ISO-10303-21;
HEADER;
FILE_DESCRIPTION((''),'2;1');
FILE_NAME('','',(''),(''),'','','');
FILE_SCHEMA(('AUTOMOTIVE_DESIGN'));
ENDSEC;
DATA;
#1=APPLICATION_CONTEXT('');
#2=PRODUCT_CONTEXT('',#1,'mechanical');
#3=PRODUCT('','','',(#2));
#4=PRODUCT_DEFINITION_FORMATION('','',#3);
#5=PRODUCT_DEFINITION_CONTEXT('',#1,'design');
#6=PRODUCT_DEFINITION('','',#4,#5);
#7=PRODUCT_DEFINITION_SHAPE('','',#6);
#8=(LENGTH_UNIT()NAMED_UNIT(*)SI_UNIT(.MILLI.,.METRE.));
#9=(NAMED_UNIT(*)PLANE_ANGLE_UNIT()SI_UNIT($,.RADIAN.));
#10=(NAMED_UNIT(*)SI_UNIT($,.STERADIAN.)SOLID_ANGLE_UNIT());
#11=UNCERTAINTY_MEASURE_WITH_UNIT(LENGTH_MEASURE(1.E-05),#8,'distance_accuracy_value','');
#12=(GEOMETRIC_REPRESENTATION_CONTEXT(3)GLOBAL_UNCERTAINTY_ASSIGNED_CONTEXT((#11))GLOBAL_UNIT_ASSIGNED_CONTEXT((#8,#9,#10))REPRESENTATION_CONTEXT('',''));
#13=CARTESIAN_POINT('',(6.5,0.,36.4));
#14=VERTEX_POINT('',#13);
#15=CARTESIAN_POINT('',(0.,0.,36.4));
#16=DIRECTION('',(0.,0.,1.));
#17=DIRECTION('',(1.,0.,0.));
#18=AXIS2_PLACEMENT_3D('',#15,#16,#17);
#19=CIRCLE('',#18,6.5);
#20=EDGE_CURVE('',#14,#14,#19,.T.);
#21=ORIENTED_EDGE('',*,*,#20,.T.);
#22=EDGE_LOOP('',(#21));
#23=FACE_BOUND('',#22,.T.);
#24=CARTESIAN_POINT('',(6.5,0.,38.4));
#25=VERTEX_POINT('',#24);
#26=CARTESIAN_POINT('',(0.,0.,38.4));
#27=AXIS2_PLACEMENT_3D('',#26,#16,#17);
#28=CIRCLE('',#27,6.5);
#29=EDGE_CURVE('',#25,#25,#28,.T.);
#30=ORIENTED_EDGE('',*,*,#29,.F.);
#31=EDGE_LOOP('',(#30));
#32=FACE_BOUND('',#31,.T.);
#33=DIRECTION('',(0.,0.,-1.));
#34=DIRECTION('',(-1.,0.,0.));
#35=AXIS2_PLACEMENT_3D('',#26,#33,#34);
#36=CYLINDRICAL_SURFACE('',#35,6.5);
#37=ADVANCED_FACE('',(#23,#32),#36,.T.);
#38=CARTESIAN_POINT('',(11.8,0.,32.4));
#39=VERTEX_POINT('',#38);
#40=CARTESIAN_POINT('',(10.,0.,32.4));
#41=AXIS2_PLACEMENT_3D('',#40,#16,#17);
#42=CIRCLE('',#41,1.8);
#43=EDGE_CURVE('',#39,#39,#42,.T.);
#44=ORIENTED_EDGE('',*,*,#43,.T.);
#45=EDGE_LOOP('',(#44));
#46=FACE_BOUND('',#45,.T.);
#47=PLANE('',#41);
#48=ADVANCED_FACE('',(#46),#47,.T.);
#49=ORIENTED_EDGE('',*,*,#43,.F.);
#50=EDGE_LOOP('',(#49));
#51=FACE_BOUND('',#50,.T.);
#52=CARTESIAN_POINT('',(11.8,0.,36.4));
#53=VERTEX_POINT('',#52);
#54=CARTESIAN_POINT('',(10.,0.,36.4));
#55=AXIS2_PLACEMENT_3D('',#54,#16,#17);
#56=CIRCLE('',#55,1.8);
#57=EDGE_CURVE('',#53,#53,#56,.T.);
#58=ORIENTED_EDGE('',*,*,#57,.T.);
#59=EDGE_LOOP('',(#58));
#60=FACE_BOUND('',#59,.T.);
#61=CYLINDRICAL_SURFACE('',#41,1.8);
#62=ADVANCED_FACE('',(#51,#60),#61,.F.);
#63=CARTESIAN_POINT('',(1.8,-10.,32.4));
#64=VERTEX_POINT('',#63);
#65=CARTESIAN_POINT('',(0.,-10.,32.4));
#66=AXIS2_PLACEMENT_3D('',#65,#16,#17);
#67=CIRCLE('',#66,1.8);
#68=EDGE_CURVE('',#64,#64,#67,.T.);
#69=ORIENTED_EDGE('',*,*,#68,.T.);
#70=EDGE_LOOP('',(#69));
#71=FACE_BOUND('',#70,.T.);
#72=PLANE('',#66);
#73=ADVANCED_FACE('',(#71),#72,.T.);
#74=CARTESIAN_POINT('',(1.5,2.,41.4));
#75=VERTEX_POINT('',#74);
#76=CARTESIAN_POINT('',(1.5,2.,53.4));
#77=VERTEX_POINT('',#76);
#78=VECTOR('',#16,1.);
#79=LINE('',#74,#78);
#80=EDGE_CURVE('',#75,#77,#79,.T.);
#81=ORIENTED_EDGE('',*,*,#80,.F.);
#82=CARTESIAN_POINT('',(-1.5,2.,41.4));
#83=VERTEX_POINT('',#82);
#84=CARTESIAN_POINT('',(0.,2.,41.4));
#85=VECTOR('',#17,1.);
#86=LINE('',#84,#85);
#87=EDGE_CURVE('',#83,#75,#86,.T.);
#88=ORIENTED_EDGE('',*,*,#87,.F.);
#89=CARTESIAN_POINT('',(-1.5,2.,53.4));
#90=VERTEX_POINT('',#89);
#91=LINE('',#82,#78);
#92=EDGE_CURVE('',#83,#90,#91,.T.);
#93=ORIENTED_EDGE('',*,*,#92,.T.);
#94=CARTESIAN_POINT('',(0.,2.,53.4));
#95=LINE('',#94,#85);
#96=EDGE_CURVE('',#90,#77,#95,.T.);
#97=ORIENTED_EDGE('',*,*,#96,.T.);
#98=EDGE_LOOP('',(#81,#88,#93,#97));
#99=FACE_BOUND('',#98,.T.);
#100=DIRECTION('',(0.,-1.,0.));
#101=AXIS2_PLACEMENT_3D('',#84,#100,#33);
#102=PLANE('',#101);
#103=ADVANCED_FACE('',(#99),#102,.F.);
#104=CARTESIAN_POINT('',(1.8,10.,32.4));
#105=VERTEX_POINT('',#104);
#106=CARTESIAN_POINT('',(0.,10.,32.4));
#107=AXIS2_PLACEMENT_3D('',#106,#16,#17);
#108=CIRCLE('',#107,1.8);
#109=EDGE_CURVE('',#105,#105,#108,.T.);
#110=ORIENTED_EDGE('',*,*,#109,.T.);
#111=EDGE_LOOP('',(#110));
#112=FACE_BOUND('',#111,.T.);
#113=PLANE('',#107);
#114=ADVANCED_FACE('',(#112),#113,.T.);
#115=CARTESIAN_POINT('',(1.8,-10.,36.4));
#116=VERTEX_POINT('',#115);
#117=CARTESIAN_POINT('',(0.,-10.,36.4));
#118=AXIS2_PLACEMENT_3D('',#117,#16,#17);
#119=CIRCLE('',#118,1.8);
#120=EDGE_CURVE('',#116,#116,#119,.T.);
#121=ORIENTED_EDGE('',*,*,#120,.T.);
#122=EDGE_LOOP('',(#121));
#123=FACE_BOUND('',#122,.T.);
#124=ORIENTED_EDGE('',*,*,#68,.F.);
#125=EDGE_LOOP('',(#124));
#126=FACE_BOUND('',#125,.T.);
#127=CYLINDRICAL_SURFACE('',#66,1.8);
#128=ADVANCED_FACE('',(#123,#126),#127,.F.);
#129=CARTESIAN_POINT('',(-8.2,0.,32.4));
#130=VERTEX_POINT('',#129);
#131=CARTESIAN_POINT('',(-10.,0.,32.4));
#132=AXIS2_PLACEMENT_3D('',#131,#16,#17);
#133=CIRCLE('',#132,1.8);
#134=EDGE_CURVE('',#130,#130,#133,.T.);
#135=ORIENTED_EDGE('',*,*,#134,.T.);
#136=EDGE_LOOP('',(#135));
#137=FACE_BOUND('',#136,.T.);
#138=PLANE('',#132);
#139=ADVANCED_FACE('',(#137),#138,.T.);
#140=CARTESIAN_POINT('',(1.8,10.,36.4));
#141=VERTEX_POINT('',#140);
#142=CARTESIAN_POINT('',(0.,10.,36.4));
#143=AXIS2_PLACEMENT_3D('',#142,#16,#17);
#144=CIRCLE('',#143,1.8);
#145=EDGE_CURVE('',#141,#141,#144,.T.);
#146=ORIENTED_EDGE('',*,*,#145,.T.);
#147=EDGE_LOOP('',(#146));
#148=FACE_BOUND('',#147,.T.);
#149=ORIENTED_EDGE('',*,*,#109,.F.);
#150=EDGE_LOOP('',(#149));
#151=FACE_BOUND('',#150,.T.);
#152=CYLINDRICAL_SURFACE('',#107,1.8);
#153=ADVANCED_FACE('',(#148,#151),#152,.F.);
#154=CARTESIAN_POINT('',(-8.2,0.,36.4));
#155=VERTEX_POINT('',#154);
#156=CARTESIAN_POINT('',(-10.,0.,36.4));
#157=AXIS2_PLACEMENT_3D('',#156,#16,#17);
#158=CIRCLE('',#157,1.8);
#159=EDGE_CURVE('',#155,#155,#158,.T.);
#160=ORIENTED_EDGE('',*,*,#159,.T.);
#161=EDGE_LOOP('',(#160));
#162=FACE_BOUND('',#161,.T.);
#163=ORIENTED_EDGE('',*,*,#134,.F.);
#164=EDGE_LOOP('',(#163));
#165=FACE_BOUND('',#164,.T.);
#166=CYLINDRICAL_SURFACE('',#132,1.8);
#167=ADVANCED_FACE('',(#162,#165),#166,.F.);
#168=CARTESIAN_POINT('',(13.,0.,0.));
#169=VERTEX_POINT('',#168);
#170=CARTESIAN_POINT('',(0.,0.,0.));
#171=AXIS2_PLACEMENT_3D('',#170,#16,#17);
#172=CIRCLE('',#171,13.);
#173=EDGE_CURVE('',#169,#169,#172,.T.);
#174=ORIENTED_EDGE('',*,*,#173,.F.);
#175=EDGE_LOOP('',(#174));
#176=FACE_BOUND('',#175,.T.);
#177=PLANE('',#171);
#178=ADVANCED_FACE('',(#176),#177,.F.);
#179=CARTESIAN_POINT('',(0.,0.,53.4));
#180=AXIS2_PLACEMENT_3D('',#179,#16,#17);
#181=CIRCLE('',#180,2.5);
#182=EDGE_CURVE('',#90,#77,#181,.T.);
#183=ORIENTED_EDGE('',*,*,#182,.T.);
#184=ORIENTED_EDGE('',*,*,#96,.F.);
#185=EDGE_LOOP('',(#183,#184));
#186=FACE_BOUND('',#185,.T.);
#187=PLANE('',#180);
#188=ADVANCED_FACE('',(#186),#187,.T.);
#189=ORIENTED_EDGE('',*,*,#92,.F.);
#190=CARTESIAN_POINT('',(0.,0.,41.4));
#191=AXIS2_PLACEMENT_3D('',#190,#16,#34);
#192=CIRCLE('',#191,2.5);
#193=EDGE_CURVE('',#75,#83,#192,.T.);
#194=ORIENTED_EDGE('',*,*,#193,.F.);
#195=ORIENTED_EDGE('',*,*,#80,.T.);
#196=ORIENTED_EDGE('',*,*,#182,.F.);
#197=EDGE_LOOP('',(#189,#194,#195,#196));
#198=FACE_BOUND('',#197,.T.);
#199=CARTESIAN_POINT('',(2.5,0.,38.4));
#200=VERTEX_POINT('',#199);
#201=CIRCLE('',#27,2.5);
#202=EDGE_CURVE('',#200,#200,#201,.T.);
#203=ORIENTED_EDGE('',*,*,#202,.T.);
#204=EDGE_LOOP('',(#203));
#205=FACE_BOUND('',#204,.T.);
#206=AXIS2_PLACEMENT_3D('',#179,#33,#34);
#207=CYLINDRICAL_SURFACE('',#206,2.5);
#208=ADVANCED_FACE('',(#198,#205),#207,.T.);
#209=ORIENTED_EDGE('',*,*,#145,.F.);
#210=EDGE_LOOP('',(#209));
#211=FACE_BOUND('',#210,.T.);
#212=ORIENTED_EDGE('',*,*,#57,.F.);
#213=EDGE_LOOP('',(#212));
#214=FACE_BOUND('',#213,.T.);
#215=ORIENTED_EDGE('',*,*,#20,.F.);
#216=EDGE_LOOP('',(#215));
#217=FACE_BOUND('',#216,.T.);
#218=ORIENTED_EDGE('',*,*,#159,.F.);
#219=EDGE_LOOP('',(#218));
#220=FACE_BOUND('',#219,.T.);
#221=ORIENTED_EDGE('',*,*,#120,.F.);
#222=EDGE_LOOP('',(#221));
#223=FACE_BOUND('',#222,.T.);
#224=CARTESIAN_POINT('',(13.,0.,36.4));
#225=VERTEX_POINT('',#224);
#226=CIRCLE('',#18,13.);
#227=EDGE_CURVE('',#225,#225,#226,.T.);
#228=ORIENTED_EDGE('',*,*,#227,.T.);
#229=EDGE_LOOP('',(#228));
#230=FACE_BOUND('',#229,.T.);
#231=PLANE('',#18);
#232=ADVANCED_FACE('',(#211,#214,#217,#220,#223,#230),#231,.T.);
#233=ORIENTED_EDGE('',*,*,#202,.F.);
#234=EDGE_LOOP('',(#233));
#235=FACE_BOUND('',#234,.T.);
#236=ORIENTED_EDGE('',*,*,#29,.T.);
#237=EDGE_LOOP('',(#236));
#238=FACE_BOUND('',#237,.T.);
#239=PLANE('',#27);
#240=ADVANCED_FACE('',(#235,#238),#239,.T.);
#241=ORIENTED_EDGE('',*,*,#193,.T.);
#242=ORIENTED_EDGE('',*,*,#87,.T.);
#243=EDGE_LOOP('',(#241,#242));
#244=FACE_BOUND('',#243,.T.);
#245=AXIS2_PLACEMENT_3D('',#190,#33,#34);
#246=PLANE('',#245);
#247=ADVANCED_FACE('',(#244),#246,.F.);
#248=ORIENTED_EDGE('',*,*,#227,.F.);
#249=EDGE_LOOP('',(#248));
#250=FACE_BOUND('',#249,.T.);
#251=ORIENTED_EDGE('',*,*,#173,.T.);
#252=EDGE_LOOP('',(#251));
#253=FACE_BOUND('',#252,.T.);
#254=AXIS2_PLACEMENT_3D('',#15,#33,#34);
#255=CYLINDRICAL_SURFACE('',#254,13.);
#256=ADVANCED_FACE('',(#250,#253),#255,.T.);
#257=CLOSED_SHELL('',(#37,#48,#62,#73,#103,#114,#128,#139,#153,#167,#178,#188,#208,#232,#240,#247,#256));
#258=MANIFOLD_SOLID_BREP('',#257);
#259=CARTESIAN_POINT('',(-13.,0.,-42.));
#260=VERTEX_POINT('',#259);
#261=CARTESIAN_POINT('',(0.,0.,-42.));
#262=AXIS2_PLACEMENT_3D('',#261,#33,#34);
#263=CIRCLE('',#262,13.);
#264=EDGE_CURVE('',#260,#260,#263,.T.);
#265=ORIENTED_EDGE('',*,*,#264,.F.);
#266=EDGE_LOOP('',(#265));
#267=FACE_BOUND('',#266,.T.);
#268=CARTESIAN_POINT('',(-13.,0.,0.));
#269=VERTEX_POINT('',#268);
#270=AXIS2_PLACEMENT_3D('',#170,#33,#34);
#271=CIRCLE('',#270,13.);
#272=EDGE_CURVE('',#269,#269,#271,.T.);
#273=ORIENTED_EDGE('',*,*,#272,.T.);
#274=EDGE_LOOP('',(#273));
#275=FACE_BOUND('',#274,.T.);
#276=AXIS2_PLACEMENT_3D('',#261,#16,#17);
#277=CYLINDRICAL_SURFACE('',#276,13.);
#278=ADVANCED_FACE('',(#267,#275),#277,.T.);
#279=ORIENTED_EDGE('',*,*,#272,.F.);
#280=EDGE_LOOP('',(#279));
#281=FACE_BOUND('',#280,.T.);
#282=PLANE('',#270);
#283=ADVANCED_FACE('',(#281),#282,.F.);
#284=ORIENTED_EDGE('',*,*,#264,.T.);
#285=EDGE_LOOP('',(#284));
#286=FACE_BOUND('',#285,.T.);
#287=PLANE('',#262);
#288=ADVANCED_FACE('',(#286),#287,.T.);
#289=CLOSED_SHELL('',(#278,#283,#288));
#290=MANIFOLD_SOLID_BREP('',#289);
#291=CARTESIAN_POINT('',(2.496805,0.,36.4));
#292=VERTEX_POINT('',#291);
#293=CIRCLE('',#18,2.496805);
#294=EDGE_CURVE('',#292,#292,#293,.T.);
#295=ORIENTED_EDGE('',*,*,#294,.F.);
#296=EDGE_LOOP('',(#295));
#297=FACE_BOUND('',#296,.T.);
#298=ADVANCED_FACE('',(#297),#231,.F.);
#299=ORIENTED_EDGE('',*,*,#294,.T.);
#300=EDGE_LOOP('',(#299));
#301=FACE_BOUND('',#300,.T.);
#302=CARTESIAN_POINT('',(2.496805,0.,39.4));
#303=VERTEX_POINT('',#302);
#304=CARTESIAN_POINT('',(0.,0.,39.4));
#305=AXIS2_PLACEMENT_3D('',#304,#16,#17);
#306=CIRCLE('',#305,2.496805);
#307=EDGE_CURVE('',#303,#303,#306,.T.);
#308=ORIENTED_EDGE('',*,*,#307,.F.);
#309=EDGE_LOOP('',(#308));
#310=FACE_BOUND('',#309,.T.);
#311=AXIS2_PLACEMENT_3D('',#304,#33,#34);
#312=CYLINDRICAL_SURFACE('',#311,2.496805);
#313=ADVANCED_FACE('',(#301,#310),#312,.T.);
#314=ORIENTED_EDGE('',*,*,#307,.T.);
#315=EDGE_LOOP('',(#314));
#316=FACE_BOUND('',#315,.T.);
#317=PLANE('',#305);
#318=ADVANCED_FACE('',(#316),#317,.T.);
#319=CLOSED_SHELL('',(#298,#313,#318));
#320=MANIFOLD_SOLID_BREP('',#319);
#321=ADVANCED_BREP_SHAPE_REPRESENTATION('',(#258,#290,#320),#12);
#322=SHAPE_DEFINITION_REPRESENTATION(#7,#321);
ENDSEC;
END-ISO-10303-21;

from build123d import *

# Parameters (mm, degrees)
ESQUISSE1_R                = 13
BOSS_EXTRU_REDUCTEUR_DEPTH = 36.4
ESQUISSE2_R                = 2.5
BOSS_EXTRU_ARBRE_DEPTH     = 17
ESQUISSE4_R                = 6.5
ESQUISSE4_R_2              = 2.5
BOSS_EXTRU_3_DEPTH         = 2
ESQUISSE5_R                = 1.8
ENL_V_MAT_EXTRU_2_DEPTH    = 4
ENL_V_MAT_EXTRU_3_DEPTH    = 12
ESQUISSE7_R                = 2.496805343
BOSS_EXTRU_4_DEPTH         = 3
ESQUISSE9_R                = 13
BOSS_EXTRU_5_DEPTH         = 42


with BuildPart() as part:
    # Esquisse1 → Boss.-Extru. Reducteur (new body)
    with BuildSketch(Plane.XY):
        Circle(ESQUISSE1_R)
    extrude(amount=BOSS_EXTRU_REDUCTEUR_DEPTH)

    # Esquisse2 → Boss.-Extru. Arbre (add)
    with BuildSketch(Plane.XY.offset(36.4)):
        Circle(ESQUISSE2_R)
    extrude(amount=BOSS_EXTRU_ARBRE_DEPTH)

    # Esquisse4 → Boss.-Extru.3 (add)
    with BuildSketch(Plane.XY.offset(36.4)):
        Circle(ESQUISSE4_R)
        Circle(ESQUISSE4_R_2, mode=Mode.SUBTRACT)
    extrude(amount=BOSS_EXTRU_3_DEPTH)

    # Esquisse5 → Enlèv. mat.-Extru.2 (cut)
    with BuildSketch(Plane.XY.offset(36.4)):
        with Locations((0, 10)):
            Circle(ESQUISSE5_R)
        with Locations((-10, 0)):
            Circle(ESQUISSE5_R)
        with Locations((0, -10)):
            Circle(ESQUISSE5_R)
        with Locations((10, 0)):
            Circle(ESQUISSE5_R)
    extrude(amount=-ENL_V_MAT_EXTRU_2_DEPTH, mode=Mode.SUBTRACT)

    # Esquisse6 → Enlèv. mat.-Extru.3 (cut)
    with BuildSketch(Plane.XY.offset(53.4)):
        with BuildLine():
            Line((0, 2), (1.5, 2))
            ThreePointArc((1.5, 2), (0, 2.5), (-1.5, 2))
            Line((-1.5, 2), (0, 2))
        make_face()
    extrude(amount=-ENL_V_MAT_EXTRU_3_DEPTH, mode=Mode.SUBTRACT)


with BuildPart() as body_2:
    # Esquisse7 → Boss.-Extru.4 (new body)
    with BuildSketch(Plane.XY.offset(36.4)):
        Circle(ESQUISSE7_R)
    extrude(amount=BOSS_EXTRU_4_DEPTH)


with BuildPart() as body_3:
    # Esquisse9 → Boss.-Extru.5 (new body)
    with BuildSketch(Plane(origin=(0, 0, 0), x_dir=(-1, 0, 0), z_dir=(0, 0, -1))):
        Circle(ESQUISSE9_R)
    extrude(amount=BOSS_EXTRU_5_DEPTH)


solid = Compound([part.part, body_2.part, body_3.part])
